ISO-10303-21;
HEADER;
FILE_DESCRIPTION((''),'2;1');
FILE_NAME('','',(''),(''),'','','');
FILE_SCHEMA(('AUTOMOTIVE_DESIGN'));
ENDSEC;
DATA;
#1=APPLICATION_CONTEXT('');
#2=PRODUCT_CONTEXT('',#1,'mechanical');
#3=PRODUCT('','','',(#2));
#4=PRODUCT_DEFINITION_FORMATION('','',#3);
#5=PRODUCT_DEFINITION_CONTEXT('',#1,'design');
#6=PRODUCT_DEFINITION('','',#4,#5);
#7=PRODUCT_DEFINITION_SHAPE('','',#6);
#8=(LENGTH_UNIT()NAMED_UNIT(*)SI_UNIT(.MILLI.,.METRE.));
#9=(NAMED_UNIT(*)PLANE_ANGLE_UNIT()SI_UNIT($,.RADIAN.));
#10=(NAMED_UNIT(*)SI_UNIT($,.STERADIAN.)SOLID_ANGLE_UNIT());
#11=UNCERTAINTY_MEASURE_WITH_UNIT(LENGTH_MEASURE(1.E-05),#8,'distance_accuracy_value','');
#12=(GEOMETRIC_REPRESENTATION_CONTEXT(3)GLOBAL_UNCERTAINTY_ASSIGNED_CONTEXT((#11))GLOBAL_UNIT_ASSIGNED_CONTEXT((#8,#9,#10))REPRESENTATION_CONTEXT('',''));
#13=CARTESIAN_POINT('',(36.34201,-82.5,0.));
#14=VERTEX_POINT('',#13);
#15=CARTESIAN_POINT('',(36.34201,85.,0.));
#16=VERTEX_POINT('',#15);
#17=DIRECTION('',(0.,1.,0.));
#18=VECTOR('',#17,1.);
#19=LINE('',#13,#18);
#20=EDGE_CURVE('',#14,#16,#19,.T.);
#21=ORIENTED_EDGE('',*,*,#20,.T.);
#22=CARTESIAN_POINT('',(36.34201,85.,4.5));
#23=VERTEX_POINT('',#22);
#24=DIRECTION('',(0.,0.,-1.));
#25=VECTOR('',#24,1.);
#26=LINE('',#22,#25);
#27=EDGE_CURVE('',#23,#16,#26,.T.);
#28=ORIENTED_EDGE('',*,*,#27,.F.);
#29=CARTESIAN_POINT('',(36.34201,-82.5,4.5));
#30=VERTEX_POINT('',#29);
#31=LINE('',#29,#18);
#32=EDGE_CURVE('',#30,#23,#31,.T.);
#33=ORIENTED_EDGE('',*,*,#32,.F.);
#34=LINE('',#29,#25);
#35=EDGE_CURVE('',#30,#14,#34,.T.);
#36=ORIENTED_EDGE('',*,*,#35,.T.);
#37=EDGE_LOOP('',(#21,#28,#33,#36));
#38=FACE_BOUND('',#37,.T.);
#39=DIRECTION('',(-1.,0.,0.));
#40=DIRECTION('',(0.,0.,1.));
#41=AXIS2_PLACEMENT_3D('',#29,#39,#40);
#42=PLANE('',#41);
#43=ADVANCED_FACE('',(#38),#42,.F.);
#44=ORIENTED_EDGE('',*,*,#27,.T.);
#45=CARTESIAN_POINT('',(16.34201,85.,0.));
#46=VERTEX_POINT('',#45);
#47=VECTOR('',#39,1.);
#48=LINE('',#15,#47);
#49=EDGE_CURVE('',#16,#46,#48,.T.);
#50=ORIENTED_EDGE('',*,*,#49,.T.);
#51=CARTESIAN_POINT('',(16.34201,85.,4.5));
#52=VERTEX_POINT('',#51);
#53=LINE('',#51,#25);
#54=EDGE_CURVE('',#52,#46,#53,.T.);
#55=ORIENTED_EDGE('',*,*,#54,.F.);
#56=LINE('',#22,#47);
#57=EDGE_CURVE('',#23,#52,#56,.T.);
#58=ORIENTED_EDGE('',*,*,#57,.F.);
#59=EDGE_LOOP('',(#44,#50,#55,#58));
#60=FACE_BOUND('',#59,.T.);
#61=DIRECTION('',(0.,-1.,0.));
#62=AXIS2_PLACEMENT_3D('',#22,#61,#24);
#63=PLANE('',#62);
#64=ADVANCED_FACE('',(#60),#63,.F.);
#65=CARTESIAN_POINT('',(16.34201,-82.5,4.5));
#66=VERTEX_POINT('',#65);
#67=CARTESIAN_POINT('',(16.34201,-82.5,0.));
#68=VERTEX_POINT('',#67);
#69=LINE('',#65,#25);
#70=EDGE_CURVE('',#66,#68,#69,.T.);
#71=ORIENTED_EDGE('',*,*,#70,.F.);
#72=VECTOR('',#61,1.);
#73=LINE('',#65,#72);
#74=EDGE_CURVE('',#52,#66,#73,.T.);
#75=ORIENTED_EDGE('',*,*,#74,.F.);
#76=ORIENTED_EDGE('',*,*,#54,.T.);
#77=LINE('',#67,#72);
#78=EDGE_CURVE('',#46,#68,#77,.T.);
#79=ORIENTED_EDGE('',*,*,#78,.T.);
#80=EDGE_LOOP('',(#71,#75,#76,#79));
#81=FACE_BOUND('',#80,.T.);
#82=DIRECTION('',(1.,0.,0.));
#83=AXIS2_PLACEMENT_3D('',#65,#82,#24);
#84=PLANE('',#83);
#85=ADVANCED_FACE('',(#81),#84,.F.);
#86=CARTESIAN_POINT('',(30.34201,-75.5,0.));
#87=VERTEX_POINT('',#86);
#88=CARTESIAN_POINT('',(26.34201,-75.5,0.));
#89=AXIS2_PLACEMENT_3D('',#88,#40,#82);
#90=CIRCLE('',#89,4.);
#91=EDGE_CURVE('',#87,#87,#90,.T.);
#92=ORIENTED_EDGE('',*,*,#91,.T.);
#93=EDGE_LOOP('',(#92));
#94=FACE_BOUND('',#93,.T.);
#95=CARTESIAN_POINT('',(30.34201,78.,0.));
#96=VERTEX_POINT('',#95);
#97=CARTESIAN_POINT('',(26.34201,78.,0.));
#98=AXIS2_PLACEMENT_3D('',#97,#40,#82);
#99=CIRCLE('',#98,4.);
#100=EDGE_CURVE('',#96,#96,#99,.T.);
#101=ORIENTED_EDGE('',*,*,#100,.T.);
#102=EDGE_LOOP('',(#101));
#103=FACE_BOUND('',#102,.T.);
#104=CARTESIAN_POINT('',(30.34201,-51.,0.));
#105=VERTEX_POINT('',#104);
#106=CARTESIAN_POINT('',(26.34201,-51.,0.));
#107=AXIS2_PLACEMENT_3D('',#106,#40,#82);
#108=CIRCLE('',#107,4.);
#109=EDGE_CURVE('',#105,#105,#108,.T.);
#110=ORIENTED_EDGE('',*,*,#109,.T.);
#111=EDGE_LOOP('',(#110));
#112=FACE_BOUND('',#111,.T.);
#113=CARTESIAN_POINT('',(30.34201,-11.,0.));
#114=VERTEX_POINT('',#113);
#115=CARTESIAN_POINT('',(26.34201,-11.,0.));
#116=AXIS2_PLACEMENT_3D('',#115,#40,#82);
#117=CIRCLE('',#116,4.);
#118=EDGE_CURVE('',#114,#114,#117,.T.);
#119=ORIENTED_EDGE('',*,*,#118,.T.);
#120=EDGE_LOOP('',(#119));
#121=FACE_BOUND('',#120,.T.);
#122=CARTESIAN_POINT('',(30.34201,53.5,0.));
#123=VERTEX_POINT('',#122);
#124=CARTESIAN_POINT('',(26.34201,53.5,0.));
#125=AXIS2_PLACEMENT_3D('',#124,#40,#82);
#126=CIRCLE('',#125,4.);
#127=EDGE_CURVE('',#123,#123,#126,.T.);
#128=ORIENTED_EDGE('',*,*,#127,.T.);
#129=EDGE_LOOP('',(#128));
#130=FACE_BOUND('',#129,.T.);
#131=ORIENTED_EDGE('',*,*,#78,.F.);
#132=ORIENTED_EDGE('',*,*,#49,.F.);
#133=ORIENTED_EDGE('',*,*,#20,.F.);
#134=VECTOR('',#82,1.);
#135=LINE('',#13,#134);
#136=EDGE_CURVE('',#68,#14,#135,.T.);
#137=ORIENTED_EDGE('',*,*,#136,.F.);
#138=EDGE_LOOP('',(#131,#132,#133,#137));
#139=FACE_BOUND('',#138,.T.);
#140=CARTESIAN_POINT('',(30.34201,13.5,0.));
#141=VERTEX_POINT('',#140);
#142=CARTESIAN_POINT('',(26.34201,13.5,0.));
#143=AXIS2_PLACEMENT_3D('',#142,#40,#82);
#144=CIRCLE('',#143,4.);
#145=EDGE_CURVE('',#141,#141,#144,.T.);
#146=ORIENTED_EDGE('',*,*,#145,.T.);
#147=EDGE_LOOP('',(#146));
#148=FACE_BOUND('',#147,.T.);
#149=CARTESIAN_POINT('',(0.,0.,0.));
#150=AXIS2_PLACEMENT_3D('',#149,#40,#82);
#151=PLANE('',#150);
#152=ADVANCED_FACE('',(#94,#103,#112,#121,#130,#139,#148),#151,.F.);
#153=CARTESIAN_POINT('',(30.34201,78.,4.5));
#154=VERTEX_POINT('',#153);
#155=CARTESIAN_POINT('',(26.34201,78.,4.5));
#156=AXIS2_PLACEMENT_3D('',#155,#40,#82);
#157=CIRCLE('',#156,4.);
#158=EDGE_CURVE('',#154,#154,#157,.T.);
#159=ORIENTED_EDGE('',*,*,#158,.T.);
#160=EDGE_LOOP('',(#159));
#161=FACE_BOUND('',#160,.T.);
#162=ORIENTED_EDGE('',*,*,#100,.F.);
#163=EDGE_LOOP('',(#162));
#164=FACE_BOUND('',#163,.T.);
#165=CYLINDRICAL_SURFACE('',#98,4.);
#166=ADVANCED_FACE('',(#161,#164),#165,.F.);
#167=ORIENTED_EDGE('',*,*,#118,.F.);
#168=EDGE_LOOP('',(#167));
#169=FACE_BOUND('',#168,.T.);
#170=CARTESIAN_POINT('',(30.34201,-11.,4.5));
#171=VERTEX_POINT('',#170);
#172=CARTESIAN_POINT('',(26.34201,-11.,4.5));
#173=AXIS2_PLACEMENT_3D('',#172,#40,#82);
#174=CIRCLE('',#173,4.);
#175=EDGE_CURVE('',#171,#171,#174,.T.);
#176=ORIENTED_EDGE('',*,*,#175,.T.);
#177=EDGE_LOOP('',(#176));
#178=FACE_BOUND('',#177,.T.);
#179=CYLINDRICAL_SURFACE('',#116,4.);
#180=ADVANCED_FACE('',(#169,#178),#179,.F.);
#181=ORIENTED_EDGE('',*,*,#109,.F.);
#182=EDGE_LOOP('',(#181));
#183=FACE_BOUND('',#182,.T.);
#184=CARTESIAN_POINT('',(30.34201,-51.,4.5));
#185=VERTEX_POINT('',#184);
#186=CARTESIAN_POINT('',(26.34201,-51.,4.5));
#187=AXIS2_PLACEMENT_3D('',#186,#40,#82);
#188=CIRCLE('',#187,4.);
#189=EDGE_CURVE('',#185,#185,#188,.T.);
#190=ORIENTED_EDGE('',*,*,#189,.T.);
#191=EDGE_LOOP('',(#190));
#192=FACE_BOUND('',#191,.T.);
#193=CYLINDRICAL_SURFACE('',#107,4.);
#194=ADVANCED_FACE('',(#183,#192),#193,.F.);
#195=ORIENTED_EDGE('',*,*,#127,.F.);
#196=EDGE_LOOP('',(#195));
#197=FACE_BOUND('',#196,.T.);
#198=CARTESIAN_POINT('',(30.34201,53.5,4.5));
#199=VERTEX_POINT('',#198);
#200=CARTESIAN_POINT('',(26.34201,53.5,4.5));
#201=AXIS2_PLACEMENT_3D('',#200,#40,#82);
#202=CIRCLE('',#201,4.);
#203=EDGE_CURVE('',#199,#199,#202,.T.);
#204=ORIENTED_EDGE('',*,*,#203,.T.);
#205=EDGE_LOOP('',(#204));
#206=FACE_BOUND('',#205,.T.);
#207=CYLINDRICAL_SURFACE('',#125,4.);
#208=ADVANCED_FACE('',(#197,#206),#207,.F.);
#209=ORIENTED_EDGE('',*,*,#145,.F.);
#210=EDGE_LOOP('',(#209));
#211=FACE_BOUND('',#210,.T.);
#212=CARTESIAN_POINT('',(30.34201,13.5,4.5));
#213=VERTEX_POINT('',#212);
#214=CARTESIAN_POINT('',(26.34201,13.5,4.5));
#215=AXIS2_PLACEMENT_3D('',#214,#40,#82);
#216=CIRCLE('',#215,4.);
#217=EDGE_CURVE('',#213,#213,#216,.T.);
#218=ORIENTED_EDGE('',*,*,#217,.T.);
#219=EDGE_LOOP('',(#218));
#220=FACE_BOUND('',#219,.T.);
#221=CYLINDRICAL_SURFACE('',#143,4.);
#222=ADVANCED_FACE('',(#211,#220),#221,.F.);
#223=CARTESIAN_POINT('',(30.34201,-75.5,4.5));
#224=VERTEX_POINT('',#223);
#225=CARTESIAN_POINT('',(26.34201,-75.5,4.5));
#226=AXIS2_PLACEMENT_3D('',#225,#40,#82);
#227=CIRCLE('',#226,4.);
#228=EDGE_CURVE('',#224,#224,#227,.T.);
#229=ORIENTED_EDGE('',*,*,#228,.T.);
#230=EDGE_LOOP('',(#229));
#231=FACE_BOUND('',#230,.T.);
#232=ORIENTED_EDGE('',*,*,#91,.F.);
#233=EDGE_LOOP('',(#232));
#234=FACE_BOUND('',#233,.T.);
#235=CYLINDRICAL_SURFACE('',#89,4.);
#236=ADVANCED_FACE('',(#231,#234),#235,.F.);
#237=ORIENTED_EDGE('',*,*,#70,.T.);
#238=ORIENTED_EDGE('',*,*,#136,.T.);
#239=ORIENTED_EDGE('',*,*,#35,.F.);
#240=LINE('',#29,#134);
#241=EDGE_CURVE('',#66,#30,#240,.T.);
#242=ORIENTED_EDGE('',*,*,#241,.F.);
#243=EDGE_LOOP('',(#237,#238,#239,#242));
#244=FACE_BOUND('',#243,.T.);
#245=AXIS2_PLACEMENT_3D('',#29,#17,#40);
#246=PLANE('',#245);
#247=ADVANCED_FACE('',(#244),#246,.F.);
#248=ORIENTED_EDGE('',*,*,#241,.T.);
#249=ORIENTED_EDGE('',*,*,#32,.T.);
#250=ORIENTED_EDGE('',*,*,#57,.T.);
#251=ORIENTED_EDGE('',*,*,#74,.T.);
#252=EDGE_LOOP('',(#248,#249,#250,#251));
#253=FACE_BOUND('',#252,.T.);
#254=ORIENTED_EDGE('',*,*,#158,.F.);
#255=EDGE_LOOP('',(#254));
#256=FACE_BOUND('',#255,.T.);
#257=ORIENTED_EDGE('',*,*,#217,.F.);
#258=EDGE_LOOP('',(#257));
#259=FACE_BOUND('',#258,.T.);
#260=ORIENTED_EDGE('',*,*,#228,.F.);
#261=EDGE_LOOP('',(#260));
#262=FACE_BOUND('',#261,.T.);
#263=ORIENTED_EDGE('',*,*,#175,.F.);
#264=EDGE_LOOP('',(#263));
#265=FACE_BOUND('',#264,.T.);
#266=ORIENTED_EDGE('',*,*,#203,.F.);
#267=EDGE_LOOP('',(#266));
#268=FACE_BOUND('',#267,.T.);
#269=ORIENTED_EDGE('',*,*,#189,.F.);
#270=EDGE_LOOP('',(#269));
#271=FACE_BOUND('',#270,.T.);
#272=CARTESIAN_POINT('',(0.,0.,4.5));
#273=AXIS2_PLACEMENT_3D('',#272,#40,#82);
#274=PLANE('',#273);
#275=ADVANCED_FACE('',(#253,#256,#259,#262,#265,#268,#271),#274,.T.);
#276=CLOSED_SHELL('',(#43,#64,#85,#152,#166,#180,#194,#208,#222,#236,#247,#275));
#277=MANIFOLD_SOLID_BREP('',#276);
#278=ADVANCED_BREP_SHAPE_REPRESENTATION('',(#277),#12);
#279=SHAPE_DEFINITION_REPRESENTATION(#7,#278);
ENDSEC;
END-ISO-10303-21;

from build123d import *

# Parameters (mm, degrees)
SKETCH1_W           = 20
SKETCH1_H           = 167.5
BOSS_EXTRUDE1_DEPTH = 4.5
SKETCH2_R           = 4
CUT_EXTRUDE1_DEPTH  = 4.5


with BuildPart() as part:
    # Sketch1 → Boss-Extrude1 (new body)
    with BuildSketch(Plane.XY):
        with Locations((26.342010442, 1.25)):
            Rectangle(SKETCH1_W, SKETCH1_H)
    extrude(amount=BOSS_EXTRUDE1_DEPTH)

    # Sketch2 → Cut-Extrude1 (cut)
    with BuildSketch(Plane.XY.offset(4.5)):
        with Locations((26.342010442, -75.5)):
            Circle(SKETCH2_R)
        with Locations((26.342010442, -51)):
            Circle(SKETCH2_R)
        with Locations((26.342010442, -11)):
            Circle(SKETCH2_R)
        with Locations((26.342010442, 13.5)):
            Circle(SKETCH2_R)
        with Locations((26.342010442, 53.5)):
            Circle(SKETCH2_R)
        with Locations((26.342010442, 78)):
            Circle(SKETCH2_R)
    extrude(amount=-CUT_EXTRUDE1_DEPTH, mode=Mode.SUBTRACT)


solid = part.part
